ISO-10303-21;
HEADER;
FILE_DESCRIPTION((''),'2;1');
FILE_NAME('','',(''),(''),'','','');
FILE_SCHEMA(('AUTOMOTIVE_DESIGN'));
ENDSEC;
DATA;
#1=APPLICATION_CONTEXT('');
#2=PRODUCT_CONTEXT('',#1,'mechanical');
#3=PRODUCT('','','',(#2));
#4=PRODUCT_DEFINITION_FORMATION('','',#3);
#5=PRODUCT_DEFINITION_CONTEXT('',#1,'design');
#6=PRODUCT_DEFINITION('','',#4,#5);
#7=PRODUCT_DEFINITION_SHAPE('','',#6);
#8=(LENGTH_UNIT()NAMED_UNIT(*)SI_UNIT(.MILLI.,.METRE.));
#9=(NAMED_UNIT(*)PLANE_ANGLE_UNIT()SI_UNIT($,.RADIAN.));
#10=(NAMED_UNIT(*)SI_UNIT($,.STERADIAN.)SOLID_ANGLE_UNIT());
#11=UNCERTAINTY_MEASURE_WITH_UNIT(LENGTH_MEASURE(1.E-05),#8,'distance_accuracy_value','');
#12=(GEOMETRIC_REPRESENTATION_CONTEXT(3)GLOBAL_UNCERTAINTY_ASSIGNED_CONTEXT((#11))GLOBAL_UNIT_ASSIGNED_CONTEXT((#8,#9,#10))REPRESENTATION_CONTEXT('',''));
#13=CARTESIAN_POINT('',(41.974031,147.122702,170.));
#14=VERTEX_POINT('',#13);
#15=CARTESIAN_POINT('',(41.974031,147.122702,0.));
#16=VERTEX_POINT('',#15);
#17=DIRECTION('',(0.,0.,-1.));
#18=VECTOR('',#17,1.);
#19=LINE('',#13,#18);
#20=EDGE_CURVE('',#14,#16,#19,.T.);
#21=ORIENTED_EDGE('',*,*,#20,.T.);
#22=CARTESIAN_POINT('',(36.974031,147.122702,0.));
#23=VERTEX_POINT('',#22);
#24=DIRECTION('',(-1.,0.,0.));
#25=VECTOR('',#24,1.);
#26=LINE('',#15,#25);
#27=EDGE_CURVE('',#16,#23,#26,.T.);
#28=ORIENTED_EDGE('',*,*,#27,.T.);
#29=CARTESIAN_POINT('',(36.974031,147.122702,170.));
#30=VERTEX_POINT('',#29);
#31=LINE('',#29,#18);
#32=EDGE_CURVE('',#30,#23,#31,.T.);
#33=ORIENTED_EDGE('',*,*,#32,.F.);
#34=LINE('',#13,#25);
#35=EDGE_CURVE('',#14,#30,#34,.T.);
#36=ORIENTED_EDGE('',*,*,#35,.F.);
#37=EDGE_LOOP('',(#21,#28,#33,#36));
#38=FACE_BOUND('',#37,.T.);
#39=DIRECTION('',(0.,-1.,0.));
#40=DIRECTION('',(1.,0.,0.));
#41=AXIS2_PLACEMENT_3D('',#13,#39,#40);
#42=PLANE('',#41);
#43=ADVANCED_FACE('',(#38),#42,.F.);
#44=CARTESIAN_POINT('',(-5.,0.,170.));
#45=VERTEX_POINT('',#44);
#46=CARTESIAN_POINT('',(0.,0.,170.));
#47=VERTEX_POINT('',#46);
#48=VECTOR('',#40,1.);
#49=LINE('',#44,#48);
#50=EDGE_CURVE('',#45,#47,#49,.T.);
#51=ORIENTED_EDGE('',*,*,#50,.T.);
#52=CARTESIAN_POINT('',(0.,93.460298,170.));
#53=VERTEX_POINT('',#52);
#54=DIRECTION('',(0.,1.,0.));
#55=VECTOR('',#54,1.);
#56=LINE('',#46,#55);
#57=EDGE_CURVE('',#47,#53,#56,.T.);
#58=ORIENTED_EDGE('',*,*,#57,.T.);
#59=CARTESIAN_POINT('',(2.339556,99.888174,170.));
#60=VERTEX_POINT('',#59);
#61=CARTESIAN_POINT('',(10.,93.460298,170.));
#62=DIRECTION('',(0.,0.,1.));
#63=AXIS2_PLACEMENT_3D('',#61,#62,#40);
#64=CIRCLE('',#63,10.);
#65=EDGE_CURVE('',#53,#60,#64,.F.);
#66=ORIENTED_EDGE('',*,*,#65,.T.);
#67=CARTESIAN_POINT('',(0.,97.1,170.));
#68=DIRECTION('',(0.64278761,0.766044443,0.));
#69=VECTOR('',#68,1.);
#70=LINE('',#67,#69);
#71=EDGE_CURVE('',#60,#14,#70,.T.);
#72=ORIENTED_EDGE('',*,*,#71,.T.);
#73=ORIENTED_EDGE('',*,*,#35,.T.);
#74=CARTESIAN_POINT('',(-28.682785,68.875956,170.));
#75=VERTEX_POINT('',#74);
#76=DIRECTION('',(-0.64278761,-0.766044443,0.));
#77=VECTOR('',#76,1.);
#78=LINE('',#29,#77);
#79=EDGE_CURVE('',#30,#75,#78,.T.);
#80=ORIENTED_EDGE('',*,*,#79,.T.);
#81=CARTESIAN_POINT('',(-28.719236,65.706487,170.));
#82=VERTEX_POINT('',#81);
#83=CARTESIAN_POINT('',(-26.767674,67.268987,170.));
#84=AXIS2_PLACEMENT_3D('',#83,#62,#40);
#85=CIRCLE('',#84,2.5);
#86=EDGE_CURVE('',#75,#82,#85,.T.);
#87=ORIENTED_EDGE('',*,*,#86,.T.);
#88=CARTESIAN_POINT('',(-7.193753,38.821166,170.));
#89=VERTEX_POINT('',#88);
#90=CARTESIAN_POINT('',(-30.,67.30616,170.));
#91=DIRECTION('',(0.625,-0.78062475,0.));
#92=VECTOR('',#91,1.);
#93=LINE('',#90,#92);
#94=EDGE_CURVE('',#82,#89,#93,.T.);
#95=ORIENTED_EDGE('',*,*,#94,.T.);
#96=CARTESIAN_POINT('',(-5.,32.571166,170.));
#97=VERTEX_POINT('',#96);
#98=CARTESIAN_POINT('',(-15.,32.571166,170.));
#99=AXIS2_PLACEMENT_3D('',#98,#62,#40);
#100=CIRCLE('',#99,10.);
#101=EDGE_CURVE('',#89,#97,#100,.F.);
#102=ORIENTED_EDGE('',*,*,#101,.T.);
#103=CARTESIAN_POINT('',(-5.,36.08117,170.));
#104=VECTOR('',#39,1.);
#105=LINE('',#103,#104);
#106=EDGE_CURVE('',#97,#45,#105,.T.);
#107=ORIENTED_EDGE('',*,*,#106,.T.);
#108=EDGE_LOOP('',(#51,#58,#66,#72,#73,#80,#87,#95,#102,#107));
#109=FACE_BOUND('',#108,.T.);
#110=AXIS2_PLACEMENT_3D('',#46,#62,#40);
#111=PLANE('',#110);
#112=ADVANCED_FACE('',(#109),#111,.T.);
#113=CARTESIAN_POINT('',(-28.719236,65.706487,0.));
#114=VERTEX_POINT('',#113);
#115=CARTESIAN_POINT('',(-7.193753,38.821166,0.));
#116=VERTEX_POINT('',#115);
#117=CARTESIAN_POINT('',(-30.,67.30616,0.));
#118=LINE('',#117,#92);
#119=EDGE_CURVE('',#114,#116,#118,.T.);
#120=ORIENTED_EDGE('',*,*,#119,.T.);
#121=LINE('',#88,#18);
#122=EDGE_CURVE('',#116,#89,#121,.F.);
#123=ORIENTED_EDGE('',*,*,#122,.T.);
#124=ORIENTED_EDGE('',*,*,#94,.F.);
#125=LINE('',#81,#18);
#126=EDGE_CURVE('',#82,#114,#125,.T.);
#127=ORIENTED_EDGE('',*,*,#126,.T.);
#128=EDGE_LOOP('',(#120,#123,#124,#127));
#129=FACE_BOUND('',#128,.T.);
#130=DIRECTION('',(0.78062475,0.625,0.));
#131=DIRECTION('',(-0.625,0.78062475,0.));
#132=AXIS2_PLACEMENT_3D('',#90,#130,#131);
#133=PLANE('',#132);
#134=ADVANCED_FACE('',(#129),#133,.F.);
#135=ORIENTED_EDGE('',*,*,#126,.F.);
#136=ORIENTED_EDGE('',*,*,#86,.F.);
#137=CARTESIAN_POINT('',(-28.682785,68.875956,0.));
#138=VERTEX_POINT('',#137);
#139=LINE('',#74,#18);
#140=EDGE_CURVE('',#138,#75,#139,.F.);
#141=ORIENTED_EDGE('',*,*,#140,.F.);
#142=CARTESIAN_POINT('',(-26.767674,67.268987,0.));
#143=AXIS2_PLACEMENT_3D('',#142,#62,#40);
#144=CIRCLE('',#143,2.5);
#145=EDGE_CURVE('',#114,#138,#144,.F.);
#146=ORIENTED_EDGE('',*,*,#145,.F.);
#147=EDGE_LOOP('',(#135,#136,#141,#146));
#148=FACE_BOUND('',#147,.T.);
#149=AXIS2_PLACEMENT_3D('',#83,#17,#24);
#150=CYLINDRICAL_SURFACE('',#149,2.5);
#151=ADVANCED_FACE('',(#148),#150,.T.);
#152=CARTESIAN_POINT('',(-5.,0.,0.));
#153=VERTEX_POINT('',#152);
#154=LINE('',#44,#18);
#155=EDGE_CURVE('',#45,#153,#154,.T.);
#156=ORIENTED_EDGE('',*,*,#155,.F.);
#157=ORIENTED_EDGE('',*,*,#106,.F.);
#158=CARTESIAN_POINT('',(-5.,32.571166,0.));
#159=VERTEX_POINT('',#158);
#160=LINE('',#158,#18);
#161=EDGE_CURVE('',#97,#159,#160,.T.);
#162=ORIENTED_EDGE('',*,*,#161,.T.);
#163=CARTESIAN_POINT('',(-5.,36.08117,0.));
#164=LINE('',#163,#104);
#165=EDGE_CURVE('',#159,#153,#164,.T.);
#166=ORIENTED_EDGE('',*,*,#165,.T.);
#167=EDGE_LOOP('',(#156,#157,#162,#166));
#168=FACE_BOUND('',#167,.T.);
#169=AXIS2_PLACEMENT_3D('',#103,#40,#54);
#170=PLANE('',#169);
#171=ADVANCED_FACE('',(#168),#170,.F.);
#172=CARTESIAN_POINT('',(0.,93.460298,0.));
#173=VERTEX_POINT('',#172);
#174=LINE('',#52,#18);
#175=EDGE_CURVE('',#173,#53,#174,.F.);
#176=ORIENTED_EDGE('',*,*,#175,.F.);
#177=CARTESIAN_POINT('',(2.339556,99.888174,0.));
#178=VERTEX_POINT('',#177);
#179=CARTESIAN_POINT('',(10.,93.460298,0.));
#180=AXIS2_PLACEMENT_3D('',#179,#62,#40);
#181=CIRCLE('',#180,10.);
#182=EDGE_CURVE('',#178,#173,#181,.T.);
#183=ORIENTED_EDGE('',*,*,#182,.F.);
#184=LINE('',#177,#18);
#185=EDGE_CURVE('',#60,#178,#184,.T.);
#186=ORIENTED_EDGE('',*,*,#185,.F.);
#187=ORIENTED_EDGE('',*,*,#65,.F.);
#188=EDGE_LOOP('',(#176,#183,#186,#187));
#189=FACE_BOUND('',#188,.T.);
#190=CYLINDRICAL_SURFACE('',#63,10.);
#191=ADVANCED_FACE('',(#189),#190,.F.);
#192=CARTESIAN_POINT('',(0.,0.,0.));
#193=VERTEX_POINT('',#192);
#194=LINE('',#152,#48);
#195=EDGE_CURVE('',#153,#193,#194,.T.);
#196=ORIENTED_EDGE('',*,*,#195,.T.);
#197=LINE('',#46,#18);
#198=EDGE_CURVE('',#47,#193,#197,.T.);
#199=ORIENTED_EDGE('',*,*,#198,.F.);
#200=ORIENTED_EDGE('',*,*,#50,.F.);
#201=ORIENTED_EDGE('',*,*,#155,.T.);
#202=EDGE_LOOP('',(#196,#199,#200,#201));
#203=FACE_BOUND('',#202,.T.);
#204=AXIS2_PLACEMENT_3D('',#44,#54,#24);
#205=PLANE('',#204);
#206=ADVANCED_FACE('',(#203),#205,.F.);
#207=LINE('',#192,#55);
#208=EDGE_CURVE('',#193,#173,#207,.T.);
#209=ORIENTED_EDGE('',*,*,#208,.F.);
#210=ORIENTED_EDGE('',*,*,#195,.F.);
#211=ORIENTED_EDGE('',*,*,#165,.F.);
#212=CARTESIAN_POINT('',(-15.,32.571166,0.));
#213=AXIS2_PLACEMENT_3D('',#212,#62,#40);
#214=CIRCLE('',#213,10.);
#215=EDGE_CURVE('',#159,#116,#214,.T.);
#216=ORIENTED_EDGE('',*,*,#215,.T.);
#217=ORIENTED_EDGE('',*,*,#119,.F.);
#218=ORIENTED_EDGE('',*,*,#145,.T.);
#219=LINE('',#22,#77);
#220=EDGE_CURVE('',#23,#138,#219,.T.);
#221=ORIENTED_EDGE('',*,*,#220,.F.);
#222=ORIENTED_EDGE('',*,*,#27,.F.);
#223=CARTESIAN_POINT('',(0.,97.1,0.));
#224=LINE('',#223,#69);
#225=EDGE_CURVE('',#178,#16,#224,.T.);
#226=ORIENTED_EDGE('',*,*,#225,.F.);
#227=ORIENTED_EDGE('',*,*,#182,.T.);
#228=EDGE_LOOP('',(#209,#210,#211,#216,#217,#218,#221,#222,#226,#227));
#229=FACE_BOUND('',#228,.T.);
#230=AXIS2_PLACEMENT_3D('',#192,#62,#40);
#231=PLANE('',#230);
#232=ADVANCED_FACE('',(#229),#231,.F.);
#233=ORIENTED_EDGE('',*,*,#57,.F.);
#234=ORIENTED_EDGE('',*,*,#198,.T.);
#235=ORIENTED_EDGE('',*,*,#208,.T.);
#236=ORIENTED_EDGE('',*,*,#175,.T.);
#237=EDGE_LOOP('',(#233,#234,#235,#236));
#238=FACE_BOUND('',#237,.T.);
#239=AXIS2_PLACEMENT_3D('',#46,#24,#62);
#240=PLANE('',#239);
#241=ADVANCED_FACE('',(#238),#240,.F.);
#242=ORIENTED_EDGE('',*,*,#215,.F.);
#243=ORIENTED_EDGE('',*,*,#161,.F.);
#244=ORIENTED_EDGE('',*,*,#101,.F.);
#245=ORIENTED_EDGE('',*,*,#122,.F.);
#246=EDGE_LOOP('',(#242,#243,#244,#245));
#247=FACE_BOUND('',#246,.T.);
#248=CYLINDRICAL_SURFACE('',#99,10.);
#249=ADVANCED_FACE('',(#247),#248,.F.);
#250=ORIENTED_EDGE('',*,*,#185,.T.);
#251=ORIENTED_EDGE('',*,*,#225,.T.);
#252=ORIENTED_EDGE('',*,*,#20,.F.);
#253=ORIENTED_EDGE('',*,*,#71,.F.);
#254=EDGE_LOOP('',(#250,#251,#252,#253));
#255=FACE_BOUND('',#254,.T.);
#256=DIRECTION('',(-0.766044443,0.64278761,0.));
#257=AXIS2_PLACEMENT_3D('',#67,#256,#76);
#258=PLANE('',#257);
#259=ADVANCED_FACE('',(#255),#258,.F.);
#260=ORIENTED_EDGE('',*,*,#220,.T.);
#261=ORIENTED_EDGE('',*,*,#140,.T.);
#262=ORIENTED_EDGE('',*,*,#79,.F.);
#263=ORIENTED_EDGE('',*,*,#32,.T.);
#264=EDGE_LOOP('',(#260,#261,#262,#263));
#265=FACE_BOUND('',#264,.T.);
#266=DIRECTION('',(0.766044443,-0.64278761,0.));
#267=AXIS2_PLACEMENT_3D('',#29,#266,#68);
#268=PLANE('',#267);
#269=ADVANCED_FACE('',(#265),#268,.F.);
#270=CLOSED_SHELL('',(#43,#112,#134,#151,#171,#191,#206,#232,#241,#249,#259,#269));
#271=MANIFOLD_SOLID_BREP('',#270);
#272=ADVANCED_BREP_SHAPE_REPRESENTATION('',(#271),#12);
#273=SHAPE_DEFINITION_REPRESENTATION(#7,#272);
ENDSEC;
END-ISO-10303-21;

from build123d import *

# Parameters (mm, degrees)
FUNNEL_RIGHT_SIDE_DEPTH = 170
FILLET2_R               = 10
FILLET3_R               = 2.5


with BuildPart() as part:
    # Sketch1 → Funnel - Right Side (new body)
    with BuildSketch(Plane.XY):
        Polygon((0, 0), (0, 97.1), (41.974030913, 147.122702136), (36.974030913, 147.122702136), (-30, 67.306160185), (-5, 36.081170193), (-5, 0), align=None)
    extrude(amount=FUNNEL_RIGHT_SIDE_DEPTH)

    # Fillet2
    fillet2_edges = [part.edges().sort_by_distance(p)[0] for p in [
        (-5, 36.081170193, 85),
        (0, 97.1, 85),
    ]]
    fillet(fillet2_edges, radius=FILLET2_R)

    # Fillet3
    fillet3_edges = [part.edges().sort_by_distance(p)[0] for p in [
        (-30, 67.306160185, 85),
    ]]
    fillet(fillet3_edges, radius=FILLET3_R)


solid = part.part
